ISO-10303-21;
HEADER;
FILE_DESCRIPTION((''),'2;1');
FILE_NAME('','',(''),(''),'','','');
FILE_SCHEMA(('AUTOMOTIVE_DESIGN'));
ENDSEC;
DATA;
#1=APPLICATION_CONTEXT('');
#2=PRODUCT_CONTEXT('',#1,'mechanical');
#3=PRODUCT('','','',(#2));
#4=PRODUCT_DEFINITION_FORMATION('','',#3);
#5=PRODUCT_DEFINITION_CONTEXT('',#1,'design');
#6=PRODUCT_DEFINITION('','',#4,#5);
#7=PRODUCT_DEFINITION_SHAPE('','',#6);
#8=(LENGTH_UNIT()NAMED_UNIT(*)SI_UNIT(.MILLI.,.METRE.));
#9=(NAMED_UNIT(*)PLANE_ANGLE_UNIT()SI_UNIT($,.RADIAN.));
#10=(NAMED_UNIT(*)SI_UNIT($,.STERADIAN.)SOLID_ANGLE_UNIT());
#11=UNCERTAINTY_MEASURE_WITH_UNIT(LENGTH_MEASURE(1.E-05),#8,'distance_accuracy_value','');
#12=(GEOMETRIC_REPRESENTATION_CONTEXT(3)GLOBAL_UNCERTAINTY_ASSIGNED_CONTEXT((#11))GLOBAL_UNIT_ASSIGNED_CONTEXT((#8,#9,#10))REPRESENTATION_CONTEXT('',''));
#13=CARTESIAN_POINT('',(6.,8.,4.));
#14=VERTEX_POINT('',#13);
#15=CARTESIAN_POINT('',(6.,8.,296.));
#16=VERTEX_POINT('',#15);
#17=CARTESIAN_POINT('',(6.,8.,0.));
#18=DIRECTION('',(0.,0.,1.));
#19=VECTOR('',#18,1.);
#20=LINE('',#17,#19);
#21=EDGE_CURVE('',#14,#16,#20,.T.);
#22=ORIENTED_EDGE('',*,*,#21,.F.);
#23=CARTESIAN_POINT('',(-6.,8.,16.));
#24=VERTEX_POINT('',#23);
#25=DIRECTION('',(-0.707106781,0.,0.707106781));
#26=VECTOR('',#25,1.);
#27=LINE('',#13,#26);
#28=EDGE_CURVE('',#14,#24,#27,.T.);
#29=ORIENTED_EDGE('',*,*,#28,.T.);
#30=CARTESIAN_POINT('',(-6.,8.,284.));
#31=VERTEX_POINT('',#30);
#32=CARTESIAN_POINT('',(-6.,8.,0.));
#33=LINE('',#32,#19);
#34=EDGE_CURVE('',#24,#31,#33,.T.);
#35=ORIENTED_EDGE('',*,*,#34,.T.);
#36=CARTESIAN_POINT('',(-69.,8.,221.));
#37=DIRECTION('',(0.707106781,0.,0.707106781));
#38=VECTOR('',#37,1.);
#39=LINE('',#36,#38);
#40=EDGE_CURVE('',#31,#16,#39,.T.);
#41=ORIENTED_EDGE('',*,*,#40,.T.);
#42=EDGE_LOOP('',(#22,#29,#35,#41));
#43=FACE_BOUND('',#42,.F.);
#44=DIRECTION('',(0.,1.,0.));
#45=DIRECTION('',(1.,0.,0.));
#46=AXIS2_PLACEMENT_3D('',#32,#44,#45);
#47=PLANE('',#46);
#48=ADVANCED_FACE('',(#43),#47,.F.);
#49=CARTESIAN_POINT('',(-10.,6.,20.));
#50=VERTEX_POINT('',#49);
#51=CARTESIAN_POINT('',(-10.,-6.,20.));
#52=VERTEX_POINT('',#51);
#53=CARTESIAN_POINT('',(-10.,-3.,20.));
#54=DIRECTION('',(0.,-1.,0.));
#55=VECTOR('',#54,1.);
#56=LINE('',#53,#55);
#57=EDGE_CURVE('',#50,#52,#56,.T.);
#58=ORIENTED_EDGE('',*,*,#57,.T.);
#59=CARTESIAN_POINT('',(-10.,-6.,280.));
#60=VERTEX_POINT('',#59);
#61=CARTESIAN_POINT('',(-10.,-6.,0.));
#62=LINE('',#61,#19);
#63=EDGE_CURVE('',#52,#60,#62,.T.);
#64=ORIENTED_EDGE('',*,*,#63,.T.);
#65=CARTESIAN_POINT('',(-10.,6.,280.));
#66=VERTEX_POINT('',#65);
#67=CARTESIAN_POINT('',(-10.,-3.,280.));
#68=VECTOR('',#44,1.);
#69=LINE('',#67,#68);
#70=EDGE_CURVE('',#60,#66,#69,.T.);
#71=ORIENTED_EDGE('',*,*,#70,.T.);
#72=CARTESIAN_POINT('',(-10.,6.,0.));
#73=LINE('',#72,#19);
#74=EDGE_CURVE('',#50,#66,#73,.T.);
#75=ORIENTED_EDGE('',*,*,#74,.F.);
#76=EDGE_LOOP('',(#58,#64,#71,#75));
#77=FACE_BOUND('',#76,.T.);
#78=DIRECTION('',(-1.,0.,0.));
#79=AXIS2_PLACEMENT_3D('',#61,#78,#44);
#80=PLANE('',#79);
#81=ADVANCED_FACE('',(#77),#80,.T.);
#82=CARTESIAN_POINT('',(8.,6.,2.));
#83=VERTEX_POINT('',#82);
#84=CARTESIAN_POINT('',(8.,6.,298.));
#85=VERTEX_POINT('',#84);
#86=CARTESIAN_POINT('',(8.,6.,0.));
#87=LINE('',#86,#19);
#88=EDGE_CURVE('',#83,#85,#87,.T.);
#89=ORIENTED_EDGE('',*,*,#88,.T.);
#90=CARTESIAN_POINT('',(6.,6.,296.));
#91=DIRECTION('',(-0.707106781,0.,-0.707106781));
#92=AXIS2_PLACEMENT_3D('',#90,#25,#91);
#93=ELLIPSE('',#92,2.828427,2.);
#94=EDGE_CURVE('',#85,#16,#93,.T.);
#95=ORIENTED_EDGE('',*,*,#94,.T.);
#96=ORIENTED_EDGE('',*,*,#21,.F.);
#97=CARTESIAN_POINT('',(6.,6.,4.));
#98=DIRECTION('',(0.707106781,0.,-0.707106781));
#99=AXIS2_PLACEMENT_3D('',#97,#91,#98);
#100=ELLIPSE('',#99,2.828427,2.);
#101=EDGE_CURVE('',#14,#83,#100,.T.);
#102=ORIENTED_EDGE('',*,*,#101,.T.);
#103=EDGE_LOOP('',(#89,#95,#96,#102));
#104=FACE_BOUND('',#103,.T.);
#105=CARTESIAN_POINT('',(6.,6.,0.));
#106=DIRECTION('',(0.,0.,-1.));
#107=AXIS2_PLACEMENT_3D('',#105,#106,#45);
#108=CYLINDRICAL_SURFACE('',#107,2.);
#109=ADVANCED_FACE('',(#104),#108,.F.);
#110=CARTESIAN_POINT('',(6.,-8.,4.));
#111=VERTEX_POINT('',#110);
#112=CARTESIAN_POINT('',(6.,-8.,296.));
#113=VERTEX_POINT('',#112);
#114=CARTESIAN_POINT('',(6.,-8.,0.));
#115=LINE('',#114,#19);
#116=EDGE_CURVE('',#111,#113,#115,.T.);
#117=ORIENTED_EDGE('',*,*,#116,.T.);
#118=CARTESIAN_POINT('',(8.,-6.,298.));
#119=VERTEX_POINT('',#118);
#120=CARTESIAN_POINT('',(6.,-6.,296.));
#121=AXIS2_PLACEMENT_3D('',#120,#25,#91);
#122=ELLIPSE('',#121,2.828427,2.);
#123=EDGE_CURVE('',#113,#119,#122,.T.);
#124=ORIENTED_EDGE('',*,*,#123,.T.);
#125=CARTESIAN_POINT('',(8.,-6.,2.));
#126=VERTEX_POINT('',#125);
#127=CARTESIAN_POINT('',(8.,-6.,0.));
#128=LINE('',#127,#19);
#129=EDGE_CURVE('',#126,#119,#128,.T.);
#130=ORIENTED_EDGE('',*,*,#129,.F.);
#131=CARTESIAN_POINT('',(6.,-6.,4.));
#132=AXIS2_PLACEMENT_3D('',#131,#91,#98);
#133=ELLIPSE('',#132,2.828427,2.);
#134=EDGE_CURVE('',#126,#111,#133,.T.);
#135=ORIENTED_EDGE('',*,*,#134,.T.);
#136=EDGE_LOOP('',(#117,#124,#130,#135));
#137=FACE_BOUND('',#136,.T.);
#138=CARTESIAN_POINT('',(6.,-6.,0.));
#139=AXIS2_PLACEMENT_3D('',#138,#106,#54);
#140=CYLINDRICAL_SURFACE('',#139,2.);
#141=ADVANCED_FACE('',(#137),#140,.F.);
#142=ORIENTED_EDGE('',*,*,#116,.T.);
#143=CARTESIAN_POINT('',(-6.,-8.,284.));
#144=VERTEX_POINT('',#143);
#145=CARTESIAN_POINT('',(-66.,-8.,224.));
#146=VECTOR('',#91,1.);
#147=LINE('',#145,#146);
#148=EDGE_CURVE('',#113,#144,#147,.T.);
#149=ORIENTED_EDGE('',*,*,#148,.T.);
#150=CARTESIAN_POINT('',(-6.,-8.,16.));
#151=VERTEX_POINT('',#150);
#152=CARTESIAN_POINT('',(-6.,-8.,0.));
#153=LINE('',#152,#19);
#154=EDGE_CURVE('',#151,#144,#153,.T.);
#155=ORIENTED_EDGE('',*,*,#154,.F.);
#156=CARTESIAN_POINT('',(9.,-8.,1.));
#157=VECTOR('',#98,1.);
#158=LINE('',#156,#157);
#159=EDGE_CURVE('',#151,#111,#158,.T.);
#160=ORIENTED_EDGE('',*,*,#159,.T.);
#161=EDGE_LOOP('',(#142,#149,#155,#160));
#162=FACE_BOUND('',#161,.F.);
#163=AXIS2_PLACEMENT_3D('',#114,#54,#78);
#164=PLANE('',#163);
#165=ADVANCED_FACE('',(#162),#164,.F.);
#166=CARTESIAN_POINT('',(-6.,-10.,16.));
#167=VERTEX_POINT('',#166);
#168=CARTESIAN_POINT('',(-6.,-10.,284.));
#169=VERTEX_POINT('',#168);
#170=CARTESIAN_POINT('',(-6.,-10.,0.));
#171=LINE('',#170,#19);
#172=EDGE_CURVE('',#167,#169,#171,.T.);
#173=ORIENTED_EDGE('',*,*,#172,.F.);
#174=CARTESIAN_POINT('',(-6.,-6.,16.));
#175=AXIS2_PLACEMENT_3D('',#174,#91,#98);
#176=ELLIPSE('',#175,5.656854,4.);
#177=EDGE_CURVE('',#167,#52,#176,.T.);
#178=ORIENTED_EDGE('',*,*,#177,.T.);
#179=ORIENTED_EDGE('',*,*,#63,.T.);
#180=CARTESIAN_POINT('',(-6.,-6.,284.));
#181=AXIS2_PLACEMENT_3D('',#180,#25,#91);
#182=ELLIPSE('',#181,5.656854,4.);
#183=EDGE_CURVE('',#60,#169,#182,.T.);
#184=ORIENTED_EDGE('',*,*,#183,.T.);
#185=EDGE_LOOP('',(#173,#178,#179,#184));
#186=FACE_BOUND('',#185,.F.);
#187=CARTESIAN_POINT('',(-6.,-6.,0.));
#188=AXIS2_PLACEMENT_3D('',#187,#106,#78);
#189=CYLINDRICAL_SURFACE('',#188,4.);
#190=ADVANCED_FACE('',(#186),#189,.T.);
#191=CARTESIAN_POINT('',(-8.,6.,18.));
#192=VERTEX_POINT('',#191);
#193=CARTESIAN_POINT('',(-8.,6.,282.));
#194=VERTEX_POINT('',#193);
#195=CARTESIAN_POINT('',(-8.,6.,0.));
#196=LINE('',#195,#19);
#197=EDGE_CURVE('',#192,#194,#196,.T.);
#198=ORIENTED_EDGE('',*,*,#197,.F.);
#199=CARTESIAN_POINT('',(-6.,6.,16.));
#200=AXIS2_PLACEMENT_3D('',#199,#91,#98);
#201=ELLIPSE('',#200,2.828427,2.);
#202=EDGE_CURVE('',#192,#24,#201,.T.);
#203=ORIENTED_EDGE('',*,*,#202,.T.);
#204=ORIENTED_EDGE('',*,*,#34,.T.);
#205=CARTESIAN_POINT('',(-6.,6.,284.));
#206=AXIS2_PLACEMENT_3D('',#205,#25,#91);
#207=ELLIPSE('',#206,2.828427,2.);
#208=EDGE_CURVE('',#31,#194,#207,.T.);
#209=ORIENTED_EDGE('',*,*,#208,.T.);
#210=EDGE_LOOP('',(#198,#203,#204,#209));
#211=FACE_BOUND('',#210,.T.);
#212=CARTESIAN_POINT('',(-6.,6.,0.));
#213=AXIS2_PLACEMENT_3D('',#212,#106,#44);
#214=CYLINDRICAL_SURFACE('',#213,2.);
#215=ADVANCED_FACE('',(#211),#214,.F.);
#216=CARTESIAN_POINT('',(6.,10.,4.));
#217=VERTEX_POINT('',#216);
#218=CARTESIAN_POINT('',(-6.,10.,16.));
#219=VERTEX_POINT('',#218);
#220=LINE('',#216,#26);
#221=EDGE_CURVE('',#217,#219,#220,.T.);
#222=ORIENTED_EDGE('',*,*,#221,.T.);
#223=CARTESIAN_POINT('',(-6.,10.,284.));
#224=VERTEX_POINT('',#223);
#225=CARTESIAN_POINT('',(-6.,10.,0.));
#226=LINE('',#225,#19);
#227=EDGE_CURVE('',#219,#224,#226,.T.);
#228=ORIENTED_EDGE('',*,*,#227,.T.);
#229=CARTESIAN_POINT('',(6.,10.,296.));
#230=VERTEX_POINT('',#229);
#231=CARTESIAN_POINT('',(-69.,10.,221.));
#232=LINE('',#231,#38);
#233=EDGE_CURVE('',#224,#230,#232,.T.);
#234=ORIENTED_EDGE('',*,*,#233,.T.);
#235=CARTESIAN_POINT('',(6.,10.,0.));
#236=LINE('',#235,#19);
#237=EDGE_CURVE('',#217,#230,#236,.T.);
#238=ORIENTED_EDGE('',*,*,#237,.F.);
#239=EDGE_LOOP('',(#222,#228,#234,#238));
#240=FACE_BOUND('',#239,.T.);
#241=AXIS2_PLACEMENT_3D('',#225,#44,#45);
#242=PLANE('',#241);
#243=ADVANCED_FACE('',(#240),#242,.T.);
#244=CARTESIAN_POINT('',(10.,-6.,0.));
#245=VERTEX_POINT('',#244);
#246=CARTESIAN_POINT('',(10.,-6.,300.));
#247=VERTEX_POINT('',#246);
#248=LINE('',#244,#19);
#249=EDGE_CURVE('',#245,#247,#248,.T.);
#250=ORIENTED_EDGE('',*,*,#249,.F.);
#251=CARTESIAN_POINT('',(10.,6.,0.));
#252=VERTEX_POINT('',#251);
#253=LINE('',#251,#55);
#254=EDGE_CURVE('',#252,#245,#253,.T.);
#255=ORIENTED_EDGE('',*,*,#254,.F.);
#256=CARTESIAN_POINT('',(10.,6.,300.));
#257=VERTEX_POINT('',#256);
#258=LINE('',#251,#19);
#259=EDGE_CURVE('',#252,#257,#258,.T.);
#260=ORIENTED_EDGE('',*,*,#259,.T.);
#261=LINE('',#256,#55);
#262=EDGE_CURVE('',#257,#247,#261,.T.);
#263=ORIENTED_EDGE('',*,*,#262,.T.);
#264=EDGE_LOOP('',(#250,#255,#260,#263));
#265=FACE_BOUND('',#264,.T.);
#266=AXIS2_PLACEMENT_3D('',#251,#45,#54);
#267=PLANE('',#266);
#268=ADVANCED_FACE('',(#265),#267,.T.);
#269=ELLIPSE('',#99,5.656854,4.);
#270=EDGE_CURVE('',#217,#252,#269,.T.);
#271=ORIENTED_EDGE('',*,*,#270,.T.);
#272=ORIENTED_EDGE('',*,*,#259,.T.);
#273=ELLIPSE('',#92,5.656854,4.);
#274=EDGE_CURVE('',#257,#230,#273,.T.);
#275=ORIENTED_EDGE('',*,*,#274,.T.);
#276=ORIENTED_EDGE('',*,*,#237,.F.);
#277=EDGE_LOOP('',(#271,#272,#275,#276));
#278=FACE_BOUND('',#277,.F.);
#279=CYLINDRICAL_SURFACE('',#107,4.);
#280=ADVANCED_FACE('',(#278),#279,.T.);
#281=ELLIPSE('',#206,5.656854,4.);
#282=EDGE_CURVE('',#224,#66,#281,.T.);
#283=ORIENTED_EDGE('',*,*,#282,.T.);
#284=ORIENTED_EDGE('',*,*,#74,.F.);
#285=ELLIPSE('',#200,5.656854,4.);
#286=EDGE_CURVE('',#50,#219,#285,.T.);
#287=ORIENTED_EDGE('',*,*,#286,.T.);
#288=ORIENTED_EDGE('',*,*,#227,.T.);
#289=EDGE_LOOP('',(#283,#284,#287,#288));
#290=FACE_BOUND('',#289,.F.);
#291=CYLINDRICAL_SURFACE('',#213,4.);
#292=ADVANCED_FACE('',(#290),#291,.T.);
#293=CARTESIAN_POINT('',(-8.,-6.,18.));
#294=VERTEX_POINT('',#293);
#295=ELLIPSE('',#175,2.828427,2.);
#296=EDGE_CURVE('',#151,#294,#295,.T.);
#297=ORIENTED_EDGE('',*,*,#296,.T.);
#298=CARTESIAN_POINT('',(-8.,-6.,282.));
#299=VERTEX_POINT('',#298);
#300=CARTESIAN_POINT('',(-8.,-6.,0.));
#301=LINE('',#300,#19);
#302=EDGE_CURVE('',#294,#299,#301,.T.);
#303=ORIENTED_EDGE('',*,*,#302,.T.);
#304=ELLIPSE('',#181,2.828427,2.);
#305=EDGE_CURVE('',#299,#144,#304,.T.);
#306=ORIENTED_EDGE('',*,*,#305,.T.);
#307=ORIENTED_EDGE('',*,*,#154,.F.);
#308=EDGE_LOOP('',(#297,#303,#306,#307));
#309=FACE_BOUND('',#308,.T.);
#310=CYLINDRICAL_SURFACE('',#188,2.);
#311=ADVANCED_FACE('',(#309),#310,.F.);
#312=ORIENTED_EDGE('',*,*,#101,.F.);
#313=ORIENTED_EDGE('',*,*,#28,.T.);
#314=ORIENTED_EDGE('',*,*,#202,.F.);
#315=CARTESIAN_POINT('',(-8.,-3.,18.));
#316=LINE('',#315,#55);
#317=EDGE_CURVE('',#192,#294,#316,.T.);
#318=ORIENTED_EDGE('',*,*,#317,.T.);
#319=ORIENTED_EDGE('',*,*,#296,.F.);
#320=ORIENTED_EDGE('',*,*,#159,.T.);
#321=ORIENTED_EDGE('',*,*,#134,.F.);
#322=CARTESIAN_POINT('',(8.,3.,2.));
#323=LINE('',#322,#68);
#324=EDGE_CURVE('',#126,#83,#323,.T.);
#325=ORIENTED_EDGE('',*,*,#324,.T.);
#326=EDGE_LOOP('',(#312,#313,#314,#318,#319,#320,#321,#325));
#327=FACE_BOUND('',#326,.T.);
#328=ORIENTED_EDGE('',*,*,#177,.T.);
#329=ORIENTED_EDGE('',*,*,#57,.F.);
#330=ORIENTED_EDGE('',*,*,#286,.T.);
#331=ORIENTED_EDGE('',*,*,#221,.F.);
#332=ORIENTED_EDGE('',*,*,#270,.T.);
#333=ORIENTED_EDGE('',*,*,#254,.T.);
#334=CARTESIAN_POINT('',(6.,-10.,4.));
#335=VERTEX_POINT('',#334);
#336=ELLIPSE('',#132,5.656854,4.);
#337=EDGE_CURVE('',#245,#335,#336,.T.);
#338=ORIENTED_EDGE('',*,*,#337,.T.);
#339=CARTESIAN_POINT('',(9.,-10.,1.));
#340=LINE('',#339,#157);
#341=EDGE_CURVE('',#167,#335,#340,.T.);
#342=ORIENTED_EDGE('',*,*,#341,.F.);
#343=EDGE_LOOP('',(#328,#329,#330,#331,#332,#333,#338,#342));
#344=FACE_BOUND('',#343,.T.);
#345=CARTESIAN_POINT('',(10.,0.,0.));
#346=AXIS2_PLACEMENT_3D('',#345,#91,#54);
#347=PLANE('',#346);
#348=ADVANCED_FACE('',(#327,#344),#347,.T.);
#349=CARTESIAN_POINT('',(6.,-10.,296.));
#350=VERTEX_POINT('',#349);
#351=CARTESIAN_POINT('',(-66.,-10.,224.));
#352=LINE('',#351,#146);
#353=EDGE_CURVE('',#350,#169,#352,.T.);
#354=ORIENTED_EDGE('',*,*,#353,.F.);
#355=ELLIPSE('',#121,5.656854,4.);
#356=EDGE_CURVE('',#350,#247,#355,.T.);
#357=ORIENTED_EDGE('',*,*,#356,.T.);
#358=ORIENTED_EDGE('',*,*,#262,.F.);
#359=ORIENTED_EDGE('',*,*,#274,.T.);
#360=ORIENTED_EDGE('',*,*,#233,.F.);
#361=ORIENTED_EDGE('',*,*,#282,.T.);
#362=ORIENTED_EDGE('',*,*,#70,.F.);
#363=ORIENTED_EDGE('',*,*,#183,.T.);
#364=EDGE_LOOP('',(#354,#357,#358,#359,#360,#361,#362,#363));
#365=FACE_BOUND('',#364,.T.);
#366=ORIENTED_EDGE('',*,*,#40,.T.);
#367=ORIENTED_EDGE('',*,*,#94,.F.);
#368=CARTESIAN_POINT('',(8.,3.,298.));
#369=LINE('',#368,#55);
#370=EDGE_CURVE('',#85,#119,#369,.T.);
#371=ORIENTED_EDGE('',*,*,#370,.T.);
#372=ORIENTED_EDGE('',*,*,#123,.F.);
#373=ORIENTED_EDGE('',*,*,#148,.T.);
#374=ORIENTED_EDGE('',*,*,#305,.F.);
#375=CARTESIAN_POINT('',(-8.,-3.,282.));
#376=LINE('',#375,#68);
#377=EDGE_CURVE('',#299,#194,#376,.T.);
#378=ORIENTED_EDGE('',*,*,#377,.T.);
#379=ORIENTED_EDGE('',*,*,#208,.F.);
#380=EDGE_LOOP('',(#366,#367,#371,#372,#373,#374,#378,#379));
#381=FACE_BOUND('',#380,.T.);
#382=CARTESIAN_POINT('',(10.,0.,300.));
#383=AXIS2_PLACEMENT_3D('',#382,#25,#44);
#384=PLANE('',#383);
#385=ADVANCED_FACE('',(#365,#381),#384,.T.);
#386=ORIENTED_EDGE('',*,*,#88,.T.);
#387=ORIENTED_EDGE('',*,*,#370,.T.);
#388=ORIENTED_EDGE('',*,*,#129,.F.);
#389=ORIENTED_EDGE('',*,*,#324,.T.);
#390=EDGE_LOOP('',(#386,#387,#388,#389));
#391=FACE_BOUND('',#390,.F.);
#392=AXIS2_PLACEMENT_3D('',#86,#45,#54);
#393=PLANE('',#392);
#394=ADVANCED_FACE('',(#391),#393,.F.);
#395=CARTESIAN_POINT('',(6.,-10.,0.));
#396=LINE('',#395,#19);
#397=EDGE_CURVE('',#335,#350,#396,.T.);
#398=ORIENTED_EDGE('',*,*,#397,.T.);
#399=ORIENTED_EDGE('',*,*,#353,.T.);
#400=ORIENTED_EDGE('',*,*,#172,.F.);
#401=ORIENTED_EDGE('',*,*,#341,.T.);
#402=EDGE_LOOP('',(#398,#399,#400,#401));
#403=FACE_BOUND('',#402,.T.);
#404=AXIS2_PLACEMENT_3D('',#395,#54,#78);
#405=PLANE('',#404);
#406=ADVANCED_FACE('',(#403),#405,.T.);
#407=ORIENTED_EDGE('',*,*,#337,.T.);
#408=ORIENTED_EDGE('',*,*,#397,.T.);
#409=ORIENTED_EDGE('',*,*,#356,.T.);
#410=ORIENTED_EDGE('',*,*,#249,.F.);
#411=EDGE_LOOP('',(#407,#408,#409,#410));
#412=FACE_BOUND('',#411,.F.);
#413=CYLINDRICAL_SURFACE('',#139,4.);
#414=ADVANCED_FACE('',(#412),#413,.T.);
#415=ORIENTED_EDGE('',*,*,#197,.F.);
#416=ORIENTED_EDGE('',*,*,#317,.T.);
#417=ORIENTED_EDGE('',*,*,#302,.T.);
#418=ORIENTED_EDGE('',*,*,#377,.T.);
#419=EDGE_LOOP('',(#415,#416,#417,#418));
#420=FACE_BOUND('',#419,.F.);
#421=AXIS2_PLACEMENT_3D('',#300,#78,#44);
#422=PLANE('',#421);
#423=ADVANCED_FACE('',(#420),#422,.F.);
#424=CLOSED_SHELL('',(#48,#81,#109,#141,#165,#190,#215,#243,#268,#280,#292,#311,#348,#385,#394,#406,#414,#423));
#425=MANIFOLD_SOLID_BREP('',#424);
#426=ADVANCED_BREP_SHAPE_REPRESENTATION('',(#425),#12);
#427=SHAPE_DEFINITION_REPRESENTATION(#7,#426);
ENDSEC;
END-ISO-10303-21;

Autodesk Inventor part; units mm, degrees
ref_plane "Start plane" through (0, 0, 0) normal (0, 0, 1) x (1, 0, 0)
ref_plane "End plane" through (0, 0, 300) normal (0, 0, 1) x (1, 0, 0)
sketch "Sketch" plane through (0, 0, 0) normal (0, 0, 1) x (1, 0, 0)
  line L0 (-10, -6) -> (-10, 6)
  line L1 (-6, 10) -> (6, 10)
  line L2 (10, 6) -> (10, -6)
  line L3 (6, -10) -> (-6, -10)
  arc A0 (-10, -6) -> (-6, -10) centre (-6, -6) ccw
  arc A1 (10, 6) -> (6, 10) centre (6, 6) ccw
  arc A2 (-6, 10) -> (-10, 6) centre (-6, 6) ccw
  arc A3 (6, -10) -> (10, -6) centre (6, -6) ccw
  arc A4 (-6, 8) -> (-8, 6) centre (-6, 6) ccw
  line L4 (-6, 8) -> (6, 8)
  arc A5 (8, 6) -> (6, 8) centre (6, 6) ccw
  line L5 (8, 6) -> (8, -6)
  arc A6 (6, -8) -> (8, -6) centre (6, -6) ccw
  line L6 (6, -8) -> (-6, -8)
  arc A7 (-8, -6) -> (-6, -8) centre (-6, -6) ccw
  line L7 (-8, -6) -> (-8, 6)
  line L8 (0, 15.1598) -> (0, -15.1598) construction
  line L9 (-15.1598, 0) -> (15.1598, 0) construction
  dimension "d7" = 4
  dimension "d9" = 20
  dimension "d11" = 20
  dimension "d12" = 2
  dimension "d15" = 10
  dimension "d16" = 10
extrude "Body" add sketch "Sketch" along normal up to surface (300 mm away) from surface at 0
sketch "Sketch3" plane through (0, 0, 0) normal (0, 0, 1) x (1, 0, 0)
  line L0 (0, 0) -> (10, 0)
ref_plane "Work Plane3" through (0, 0, 0) normal (0, -1, 0) x (1, 0, 0)
sketch "Sketch4" plane through (0, 0, 0) normal (0, -1, 0) x (1, 0, 0)
  line L0 (-2, 0) -> (12, 0)
  line L1 (-2, 300) -> (12, 300)
  dimension "d18" = 300
ref_plane "Work Plane4" through (10, 0, 0) normal (-0.7071, 0, -0.7071) x (-0.7071, 0, 0.7071)
split "Split1" plane through (10, 0, 0) removes the side toward (-0.7071, 0, -0.7071)
ref_plane "Work Plane5" through (10, 0, 300) normal (-0.7071, 0, 0.7071) x (0.7071, 0, 0.7071)
split "Split2" plane through (10, 0, 300) removes the side toward (-0.7071, 0, 0.7071)
equation "\"d7\" = G_IR"
equation "\"d9\" = G_W"
equation "\"d11\" = G_H"
equation "\"d12\" = G_T"
equation "\"d15\" = 0.5 * d9"
equation "\"d16\" = 0.5 * d11"
equation "\"d3\" = G_L"
equation "\"G_W\" = 20"
equation "\"G_H\" = 20"
equation "\"G_T\" = 2"
equation "\"G_IR\" = 4"
equation "\"G_L\" = d18"
equation "\"G_OFFSET_START\" = 0"
equation "\"G_OFFSET_END\" = 0"
properties part number "ISO 4019 - 20x20x2 - 300" material "Steel, Mild"
